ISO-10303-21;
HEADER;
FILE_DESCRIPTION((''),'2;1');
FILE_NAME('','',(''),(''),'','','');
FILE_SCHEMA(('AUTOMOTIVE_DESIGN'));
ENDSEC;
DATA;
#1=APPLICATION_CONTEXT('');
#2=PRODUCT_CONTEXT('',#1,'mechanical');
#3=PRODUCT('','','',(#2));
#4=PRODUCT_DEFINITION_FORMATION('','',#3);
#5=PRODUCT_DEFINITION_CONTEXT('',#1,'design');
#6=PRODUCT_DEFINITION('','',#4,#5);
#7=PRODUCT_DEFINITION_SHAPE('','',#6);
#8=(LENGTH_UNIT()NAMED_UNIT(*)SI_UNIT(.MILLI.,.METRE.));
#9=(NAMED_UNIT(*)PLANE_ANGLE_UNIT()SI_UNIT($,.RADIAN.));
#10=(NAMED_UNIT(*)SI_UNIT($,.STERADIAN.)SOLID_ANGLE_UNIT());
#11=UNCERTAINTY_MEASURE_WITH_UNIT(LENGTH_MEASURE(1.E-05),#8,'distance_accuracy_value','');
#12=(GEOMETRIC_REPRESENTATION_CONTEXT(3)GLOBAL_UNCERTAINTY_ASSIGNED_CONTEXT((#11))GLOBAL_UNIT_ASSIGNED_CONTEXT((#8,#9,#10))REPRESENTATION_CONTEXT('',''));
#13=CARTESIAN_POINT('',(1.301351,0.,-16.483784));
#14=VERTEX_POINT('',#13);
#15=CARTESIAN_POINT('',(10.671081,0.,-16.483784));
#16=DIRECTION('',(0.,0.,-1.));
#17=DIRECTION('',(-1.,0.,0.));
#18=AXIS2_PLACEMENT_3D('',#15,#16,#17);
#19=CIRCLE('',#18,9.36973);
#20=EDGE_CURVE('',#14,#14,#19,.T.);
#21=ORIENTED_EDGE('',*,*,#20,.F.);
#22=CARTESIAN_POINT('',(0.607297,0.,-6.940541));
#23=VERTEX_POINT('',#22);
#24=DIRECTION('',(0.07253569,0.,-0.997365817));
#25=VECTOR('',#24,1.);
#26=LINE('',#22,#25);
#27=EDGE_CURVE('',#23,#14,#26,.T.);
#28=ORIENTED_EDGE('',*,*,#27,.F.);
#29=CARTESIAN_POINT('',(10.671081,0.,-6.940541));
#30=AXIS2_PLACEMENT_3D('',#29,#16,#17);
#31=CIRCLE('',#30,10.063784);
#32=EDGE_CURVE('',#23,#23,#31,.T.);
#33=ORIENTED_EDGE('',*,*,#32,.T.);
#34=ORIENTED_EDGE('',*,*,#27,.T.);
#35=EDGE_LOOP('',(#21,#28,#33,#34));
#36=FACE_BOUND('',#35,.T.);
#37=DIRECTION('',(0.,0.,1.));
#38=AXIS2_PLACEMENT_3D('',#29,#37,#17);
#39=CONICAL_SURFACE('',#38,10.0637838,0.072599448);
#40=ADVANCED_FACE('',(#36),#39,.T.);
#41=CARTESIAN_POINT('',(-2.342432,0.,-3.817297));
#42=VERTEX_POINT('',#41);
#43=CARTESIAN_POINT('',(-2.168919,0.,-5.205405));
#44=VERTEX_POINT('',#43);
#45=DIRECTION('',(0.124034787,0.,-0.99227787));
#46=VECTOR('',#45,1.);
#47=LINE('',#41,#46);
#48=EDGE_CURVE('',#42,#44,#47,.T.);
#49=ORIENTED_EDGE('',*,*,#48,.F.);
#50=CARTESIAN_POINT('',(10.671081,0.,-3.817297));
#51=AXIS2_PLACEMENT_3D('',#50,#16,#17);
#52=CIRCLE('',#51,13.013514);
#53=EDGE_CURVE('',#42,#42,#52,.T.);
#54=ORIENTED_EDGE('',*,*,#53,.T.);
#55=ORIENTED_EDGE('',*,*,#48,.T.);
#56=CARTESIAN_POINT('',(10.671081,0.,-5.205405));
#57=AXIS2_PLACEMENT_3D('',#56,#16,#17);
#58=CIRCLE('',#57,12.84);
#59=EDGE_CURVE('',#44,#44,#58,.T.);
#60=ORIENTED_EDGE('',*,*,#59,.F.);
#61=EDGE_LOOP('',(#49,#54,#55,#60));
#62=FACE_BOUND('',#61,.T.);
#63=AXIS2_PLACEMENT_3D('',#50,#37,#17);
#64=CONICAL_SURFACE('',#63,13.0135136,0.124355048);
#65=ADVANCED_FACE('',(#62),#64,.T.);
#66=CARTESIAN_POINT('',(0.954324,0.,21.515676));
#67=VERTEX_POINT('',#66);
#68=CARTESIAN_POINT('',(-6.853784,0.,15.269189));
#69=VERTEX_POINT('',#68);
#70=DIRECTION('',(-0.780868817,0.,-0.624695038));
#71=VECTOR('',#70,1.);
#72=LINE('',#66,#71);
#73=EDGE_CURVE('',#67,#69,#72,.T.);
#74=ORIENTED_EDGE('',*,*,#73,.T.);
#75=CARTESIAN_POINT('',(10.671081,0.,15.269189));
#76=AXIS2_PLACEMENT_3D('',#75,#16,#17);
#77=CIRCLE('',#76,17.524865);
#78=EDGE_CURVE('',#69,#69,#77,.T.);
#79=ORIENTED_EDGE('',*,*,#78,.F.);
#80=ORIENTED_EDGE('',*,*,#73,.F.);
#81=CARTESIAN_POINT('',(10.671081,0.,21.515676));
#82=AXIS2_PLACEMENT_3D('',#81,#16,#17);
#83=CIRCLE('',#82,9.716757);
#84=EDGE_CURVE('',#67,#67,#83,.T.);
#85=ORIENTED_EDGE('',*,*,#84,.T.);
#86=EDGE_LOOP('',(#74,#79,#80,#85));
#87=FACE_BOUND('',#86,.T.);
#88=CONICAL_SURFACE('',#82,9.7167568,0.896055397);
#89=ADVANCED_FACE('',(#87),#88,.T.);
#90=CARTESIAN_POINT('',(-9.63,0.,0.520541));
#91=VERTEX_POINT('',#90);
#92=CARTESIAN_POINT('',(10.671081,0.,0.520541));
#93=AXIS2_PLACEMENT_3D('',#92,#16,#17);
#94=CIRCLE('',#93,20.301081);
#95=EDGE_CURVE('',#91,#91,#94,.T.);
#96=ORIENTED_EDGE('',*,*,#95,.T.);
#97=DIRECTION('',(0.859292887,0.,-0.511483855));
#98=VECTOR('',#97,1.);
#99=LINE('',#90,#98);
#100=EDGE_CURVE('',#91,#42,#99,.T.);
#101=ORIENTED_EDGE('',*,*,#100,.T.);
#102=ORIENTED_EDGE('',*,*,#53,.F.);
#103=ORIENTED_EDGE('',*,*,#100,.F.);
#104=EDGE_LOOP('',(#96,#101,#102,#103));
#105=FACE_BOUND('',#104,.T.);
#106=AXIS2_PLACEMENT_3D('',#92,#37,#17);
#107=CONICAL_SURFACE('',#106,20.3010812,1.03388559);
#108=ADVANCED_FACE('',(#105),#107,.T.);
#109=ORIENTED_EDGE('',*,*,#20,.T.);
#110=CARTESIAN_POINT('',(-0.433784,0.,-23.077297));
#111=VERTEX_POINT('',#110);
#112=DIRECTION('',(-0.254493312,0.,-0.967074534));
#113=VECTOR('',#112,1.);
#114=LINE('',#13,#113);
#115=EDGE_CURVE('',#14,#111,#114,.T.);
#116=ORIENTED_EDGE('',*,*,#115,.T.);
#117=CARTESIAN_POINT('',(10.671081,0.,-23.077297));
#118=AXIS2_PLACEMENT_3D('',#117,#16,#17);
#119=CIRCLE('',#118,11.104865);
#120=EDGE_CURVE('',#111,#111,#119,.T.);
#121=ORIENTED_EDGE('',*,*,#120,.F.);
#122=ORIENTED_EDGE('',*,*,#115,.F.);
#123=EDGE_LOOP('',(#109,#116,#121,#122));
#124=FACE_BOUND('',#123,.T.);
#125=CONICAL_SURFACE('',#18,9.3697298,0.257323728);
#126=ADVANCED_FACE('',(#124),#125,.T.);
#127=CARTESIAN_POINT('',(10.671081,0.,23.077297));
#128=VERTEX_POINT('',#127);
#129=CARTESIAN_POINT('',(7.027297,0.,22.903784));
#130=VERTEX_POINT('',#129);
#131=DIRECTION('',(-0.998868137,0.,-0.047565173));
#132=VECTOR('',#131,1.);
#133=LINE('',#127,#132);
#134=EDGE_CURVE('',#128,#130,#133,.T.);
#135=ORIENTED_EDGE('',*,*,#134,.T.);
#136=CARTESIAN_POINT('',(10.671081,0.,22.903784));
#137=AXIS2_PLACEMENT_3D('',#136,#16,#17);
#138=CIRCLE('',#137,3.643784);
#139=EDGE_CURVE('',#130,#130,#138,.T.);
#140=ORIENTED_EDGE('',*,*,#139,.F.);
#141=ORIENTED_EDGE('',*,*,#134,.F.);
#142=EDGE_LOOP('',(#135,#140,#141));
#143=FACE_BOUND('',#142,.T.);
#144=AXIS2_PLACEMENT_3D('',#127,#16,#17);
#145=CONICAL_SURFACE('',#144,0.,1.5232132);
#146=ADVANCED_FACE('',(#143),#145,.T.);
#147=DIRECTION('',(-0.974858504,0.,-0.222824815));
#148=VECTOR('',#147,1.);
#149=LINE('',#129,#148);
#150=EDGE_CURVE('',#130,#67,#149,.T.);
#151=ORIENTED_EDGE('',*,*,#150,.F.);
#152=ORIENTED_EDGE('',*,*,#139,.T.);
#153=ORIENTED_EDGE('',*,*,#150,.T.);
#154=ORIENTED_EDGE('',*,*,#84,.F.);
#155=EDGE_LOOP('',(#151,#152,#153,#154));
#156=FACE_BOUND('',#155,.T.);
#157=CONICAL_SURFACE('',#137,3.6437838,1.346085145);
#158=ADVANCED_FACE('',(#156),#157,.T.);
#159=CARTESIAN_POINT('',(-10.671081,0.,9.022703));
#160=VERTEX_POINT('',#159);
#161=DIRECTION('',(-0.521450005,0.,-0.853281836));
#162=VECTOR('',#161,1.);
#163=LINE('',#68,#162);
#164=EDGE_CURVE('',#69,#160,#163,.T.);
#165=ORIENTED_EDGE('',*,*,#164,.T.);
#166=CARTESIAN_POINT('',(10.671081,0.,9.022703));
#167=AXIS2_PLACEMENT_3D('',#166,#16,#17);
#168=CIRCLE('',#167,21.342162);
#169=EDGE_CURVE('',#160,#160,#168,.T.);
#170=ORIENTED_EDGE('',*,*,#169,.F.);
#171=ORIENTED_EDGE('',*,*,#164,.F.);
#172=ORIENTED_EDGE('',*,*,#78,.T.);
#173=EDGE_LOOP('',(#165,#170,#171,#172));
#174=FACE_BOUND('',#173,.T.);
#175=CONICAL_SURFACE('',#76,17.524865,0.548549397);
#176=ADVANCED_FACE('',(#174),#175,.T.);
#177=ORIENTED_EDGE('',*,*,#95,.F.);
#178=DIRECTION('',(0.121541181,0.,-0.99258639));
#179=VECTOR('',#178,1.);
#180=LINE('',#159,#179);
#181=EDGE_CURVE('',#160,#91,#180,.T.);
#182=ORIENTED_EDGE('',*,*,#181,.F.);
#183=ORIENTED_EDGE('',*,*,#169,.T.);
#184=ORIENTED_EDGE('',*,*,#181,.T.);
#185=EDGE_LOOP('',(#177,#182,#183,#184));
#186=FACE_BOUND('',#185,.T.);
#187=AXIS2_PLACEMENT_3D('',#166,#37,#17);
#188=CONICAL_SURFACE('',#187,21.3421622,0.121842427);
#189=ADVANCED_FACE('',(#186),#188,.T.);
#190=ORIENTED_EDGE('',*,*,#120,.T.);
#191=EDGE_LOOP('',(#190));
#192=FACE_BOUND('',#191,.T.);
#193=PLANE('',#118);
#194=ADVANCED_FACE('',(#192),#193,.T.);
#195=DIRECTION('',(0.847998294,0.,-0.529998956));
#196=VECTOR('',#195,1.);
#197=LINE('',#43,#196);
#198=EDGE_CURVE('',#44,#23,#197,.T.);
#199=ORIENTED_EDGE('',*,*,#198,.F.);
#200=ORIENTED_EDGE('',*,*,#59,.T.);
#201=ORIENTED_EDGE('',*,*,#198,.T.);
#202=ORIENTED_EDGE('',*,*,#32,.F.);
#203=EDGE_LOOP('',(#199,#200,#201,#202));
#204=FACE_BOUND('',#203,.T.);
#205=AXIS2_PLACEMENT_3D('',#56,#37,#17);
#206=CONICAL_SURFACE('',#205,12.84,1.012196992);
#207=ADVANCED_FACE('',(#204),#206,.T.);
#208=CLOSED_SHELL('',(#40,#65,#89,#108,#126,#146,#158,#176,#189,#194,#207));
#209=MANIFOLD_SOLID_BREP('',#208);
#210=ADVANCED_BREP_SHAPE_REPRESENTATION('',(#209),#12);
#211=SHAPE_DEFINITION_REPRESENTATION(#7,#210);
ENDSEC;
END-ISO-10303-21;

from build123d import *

# Parameters (mm, degrees)
F2_SCALE = 0.2


with BuildPart() as f1:
    # F0 (on Front) → F1 (revolve)
    with BuildSketch(Plane.XZ):
        Polygon((6.506757, -82.418919), (-2.168919, -115.386486), (53.355406, -115.386486), (53.355406, 115.386487), (35.136487, 114.518919), (4.771622, 107.578378), (-34.268919, 76.345946), (-53.355405, 45.113514), (-48.15, 2.602703), (-11.712162, -19.086486), (-10.844594, -26.027027), (3.036487, -34.702703), align=None)
    revolve(axis=Axis((53.355406, 0, 5e-07), (0, 0, -1)))


with BuildPart() as f1_1:
    # F2: moved
    add(f1.part.scale(F2_SCALE))


solid = f1_1.part
